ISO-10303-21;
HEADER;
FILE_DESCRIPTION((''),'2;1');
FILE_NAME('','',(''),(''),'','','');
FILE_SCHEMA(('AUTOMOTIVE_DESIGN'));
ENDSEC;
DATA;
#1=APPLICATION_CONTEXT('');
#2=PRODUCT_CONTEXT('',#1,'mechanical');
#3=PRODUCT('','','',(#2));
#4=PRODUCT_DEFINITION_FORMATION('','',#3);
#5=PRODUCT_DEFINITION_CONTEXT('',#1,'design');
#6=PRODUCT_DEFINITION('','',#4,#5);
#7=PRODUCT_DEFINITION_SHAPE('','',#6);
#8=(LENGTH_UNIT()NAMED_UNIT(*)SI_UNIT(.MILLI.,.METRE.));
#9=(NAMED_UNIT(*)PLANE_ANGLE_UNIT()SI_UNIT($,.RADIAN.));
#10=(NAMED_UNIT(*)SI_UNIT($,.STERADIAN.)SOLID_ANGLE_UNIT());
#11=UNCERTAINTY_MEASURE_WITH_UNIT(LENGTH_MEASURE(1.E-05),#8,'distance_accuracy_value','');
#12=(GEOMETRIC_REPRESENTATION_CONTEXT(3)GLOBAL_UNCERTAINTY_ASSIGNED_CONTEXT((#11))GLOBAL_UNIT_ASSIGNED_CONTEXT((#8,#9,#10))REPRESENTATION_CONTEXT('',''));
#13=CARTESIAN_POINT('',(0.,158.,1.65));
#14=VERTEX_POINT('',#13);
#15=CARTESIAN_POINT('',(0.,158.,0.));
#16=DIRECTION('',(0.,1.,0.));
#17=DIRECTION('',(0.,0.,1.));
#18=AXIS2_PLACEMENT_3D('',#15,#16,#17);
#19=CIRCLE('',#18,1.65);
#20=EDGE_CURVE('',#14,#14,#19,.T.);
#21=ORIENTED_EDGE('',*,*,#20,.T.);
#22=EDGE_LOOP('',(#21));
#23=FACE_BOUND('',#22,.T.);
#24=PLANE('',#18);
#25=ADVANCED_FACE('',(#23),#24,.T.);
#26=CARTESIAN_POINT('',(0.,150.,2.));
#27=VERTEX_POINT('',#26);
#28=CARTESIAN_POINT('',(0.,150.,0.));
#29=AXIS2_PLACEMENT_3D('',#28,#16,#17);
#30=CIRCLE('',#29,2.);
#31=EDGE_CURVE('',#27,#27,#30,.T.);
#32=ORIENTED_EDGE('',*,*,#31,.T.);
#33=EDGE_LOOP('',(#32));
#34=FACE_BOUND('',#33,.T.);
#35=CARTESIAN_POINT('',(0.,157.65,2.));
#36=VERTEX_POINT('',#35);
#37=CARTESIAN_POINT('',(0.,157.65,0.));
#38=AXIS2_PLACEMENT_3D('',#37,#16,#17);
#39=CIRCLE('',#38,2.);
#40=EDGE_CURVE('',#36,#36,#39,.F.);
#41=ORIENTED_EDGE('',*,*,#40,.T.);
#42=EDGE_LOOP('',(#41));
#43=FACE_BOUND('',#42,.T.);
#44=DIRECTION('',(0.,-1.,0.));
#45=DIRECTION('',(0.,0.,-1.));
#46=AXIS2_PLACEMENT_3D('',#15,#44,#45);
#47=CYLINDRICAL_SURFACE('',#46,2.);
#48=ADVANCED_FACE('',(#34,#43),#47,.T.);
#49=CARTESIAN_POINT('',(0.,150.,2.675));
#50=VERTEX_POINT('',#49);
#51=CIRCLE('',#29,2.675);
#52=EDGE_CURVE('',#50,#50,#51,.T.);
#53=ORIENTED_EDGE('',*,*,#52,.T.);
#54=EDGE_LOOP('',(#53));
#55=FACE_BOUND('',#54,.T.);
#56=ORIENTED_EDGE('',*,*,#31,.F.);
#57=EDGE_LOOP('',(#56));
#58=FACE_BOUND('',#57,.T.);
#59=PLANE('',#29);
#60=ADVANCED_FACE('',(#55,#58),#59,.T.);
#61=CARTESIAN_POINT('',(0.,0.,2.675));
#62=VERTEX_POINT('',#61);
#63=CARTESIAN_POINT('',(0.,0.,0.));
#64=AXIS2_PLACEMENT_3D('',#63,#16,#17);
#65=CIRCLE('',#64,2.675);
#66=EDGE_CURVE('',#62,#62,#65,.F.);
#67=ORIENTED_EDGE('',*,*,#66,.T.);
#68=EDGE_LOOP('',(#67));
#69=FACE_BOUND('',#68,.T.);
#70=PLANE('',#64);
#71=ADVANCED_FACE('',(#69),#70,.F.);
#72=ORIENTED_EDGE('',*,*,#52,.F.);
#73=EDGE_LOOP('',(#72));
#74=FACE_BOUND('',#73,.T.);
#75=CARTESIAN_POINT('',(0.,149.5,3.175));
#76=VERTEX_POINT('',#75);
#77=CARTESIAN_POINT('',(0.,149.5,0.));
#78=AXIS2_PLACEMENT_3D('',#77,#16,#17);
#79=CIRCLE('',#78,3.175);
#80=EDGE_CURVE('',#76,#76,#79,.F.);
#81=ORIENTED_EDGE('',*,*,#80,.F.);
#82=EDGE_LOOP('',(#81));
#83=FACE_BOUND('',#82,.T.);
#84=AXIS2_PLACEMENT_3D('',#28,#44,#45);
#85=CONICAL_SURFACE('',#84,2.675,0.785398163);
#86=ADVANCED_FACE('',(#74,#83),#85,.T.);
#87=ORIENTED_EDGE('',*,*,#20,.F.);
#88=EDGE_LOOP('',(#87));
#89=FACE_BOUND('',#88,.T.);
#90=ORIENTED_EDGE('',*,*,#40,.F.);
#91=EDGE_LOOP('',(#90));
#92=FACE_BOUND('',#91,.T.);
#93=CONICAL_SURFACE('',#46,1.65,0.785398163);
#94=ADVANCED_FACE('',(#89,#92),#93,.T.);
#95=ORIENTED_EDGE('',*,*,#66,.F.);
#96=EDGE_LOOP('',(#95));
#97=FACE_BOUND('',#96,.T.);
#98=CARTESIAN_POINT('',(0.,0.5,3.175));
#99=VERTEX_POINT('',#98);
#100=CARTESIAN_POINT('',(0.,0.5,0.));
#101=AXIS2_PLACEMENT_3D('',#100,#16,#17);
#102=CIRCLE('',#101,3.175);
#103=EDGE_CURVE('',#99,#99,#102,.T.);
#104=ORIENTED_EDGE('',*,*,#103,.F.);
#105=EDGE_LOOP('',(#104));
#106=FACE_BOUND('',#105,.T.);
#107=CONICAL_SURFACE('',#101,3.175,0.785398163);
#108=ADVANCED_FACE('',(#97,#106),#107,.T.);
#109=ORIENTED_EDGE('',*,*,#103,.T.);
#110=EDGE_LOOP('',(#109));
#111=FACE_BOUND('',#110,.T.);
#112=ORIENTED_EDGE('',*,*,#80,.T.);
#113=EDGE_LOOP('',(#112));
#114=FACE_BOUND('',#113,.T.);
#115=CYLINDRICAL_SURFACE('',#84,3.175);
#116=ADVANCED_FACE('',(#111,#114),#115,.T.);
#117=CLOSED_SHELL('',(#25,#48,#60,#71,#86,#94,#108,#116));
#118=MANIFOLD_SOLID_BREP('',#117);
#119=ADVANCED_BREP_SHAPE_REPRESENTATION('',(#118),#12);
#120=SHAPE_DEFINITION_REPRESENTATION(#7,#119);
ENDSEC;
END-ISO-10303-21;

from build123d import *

# Parameters (mm, degrees)
SKETCH6_R           = 3.175
BOSS_EXTRUDE4_DEPTH = 150
SKETCH7_R           = 2
BOSS_EXTRUDE5_DEPTH = 8
CHAMFER1_SIZE       = 0.5
CHAMFER2_SIZE       = 0.35


with BuildPart() as part:
    # Sketch6 → Boss-Extrude4 (new body)
    with BuildSketch(Plane(origin=(0, 0, 0), x_dir=(1, 0, 0), z_dir=(0, 1, 0))):
        with Locations(Location((0, 0, 0), (0, 0, 270))):
            Circle(SKETCH6_R)
    extrude(amount=BOSS_EXTRUDE4_DEPTH)

    # Sketch7 → Boss-Extrude5 (add)
    with BuildSketch(Plane(origin=(0, 150, 0), x_dir=(-1, 0, 0), z_dir=(0, 1, 0))):
        with Locations(Location((0, 0, 0), (0, 0, 90))):
            Circle(SKETCH7_R)
    extrude(amount=BOSS_EXTRUDE5_DEPTH)

    # Chamfer1
    chamfer1_edges = [part.edges().sort_by_distance(p)[0] for p in [
        (0, 0, -3.175),
        (0, 150, -3.175),
    ]]
    chamfer(chamfer1_edges, length=CHAMFER1_SIZE)

    # Chamfer2
    chamfer2_edges = [part.edges().sort_by_distance(p)[0] for p in [
        (0, 158, -2),
    ]]
    chamfer(chamfer2_edges, length=CHAMFER2_SIZE)


solid = part.part
